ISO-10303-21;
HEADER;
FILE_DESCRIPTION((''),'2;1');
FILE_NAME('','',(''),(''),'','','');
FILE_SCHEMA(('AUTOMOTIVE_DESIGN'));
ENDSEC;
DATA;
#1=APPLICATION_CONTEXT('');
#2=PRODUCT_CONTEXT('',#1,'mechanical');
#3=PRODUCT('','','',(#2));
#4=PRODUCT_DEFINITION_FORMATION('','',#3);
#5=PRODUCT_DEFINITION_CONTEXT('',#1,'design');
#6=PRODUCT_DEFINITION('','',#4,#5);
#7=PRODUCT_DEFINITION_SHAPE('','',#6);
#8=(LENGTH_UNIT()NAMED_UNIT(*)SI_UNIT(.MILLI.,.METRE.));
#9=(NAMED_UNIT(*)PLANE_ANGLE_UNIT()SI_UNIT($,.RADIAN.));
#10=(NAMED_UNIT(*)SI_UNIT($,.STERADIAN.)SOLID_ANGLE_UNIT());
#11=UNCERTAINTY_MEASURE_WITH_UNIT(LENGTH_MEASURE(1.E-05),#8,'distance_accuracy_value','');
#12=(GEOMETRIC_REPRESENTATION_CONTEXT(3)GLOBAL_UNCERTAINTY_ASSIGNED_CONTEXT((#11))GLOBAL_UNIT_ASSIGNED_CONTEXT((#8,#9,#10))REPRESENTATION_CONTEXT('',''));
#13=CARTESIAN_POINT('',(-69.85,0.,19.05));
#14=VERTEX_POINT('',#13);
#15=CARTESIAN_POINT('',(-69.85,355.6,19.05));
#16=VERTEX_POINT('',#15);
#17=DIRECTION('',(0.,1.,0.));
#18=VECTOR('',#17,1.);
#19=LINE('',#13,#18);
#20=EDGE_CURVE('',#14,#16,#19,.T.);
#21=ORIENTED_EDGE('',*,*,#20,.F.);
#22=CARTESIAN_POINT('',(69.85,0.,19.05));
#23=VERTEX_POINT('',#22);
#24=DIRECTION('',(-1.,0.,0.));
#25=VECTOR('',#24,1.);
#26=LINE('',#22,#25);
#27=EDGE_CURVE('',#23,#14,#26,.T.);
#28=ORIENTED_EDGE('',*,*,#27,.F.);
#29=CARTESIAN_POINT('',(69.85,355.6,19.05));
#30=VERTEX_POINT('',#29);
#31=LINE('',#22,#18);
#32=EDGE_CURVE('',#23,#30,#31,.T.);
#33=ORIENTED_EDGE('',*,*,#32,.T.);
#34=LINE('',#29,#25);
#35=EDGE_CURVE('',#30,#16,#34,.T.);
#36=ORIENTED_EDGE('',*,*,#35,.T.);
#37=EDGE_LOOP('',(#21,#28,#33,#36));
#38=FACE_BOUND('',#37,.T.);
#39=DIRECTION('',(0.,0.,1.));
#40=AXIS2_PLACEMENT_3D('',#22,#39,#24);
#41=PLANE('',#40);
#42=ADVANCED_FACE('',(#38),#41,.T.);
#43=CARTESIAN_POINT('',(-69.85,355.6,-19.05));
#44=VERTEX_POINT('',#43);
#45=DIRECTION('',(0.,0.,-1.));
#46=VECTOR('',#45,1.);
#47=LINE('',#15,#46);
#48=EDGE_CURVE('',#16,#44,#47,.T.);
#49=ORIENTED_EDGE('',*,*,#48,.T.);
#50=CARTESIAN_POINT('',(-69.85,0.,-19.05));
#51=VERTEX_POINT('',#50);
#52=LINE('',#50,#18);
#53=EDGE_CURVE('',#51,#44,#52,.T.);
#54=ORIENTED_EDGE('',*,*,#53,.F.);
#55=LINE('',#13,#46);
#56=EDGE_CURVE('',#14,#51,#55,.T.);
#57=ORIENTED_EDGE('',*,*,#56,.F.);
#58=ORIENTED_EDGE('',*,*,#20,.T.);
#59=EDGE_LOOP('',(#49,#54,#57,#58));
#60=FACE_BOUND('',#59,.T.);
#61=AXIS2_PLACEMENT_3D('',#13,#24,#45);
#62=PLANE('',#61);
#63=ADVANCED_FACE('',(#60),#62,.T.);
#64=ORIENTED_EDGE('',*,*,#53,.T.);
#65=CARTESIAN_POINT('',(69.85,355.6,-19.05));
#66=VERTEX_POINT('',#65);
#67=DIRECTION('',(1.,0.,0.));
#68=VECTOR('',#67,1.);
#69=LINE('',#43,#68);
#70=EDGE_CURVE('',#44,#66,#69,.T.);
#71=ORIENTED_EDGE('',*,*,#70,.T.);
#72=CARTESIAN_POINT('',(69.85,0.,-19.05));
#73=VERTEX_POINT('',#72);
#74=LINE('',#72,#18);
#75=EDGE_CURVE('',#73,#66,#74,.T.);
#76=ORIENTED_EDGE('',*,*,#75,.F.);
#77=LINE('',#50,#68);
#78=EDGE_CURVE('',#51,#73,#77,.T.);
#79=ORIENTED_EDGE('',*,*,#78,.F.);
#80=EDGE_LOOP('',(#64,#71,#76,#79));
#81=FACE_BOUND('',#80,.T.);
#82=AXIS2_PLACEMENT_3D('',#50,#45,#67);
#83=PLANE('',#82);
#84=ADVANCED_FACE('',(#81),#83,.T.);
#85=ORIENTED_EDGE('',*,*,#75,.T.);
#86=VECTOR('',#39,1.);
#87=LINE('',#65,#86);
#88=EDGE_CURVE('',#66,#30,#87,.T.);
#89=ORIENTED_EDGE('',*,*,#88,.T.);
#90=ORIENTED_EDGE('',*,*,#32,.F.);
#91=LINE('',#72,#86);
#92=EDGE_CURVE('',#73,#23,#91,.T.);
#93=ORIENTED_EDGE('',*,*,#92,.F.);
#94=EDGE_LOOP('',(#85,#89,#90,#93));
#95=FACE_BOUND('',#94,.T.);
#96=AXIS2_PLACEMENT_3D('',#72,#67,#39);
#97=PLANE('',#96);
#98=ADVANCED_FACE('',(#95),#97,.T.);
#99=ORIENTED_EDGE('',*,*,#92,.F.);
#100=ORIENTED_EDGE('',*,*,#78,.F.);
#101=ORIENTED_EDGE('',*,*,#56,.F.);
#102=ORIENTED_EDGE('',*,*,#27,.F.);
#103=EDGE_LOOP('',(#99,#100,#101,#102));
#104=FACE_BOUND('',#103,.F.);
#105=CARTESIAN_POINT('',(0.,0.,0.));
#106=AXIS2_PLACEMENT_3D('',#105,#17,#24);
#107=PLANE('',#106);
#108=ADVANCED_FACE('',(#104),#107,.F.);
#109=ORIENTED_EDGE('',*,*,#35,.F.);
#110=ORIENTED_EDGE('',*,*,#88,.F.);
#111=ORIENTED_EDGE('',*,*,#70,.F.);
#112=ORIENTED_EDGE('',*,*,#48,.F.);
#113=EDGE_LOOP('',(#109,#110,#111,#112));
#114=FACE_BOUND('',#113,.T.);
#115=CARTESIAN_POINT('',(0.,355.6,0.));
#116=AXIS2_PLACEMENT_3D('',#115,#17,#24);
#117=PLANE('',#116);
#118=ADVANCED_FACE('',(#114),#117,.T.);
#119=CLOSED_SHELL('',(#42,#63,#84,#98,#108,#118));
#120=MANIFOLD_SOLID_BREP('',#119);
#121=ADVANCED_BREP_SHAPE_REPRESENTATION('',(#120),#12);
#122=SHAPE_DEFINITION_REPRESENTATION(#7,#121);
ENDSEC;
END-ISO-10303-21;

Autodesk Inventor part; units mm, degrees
ref_plane "YZ Plane" through (0, 0, 0) normal (1, 0, 0) x (0, 1, 0)
ref_plane "XZ Plane" through (0, 0, 0) normal (0, 1, 0) x (-1, 0, 0)
ref_plane "XY Plane" through (0, 0, 0) normal (0, 0, 1) x (1, 0, 0)
sketch "Sketch1" plane through (0, 0, 0) normal (0, 1, 0) x (-1, 0, 0)
  line L0 (-69.85, 19.05) -> (69.85, 19.05)
  line L1 (69.85, 19.05) -> (69.85, -19.05)
  line L2 (69.85, -19.05) -> (-69.85, -19.05)
  line L3 (-69.85, -19.05) -> (-69.85, 19.05)
  line L4 (-69.85, 19.05) -> (69.85, -19.05) construction
  line L5 (69.85, 19.05) -> (-69.85, -19.05) construction
  point P0 (0, 0)
  dimension "d0" = 139.7
  dimension "d1" = 38.1
extrude "Extrusion1" add sketch "Sketch1" along normal blind 355.6
properties part number "legs"
